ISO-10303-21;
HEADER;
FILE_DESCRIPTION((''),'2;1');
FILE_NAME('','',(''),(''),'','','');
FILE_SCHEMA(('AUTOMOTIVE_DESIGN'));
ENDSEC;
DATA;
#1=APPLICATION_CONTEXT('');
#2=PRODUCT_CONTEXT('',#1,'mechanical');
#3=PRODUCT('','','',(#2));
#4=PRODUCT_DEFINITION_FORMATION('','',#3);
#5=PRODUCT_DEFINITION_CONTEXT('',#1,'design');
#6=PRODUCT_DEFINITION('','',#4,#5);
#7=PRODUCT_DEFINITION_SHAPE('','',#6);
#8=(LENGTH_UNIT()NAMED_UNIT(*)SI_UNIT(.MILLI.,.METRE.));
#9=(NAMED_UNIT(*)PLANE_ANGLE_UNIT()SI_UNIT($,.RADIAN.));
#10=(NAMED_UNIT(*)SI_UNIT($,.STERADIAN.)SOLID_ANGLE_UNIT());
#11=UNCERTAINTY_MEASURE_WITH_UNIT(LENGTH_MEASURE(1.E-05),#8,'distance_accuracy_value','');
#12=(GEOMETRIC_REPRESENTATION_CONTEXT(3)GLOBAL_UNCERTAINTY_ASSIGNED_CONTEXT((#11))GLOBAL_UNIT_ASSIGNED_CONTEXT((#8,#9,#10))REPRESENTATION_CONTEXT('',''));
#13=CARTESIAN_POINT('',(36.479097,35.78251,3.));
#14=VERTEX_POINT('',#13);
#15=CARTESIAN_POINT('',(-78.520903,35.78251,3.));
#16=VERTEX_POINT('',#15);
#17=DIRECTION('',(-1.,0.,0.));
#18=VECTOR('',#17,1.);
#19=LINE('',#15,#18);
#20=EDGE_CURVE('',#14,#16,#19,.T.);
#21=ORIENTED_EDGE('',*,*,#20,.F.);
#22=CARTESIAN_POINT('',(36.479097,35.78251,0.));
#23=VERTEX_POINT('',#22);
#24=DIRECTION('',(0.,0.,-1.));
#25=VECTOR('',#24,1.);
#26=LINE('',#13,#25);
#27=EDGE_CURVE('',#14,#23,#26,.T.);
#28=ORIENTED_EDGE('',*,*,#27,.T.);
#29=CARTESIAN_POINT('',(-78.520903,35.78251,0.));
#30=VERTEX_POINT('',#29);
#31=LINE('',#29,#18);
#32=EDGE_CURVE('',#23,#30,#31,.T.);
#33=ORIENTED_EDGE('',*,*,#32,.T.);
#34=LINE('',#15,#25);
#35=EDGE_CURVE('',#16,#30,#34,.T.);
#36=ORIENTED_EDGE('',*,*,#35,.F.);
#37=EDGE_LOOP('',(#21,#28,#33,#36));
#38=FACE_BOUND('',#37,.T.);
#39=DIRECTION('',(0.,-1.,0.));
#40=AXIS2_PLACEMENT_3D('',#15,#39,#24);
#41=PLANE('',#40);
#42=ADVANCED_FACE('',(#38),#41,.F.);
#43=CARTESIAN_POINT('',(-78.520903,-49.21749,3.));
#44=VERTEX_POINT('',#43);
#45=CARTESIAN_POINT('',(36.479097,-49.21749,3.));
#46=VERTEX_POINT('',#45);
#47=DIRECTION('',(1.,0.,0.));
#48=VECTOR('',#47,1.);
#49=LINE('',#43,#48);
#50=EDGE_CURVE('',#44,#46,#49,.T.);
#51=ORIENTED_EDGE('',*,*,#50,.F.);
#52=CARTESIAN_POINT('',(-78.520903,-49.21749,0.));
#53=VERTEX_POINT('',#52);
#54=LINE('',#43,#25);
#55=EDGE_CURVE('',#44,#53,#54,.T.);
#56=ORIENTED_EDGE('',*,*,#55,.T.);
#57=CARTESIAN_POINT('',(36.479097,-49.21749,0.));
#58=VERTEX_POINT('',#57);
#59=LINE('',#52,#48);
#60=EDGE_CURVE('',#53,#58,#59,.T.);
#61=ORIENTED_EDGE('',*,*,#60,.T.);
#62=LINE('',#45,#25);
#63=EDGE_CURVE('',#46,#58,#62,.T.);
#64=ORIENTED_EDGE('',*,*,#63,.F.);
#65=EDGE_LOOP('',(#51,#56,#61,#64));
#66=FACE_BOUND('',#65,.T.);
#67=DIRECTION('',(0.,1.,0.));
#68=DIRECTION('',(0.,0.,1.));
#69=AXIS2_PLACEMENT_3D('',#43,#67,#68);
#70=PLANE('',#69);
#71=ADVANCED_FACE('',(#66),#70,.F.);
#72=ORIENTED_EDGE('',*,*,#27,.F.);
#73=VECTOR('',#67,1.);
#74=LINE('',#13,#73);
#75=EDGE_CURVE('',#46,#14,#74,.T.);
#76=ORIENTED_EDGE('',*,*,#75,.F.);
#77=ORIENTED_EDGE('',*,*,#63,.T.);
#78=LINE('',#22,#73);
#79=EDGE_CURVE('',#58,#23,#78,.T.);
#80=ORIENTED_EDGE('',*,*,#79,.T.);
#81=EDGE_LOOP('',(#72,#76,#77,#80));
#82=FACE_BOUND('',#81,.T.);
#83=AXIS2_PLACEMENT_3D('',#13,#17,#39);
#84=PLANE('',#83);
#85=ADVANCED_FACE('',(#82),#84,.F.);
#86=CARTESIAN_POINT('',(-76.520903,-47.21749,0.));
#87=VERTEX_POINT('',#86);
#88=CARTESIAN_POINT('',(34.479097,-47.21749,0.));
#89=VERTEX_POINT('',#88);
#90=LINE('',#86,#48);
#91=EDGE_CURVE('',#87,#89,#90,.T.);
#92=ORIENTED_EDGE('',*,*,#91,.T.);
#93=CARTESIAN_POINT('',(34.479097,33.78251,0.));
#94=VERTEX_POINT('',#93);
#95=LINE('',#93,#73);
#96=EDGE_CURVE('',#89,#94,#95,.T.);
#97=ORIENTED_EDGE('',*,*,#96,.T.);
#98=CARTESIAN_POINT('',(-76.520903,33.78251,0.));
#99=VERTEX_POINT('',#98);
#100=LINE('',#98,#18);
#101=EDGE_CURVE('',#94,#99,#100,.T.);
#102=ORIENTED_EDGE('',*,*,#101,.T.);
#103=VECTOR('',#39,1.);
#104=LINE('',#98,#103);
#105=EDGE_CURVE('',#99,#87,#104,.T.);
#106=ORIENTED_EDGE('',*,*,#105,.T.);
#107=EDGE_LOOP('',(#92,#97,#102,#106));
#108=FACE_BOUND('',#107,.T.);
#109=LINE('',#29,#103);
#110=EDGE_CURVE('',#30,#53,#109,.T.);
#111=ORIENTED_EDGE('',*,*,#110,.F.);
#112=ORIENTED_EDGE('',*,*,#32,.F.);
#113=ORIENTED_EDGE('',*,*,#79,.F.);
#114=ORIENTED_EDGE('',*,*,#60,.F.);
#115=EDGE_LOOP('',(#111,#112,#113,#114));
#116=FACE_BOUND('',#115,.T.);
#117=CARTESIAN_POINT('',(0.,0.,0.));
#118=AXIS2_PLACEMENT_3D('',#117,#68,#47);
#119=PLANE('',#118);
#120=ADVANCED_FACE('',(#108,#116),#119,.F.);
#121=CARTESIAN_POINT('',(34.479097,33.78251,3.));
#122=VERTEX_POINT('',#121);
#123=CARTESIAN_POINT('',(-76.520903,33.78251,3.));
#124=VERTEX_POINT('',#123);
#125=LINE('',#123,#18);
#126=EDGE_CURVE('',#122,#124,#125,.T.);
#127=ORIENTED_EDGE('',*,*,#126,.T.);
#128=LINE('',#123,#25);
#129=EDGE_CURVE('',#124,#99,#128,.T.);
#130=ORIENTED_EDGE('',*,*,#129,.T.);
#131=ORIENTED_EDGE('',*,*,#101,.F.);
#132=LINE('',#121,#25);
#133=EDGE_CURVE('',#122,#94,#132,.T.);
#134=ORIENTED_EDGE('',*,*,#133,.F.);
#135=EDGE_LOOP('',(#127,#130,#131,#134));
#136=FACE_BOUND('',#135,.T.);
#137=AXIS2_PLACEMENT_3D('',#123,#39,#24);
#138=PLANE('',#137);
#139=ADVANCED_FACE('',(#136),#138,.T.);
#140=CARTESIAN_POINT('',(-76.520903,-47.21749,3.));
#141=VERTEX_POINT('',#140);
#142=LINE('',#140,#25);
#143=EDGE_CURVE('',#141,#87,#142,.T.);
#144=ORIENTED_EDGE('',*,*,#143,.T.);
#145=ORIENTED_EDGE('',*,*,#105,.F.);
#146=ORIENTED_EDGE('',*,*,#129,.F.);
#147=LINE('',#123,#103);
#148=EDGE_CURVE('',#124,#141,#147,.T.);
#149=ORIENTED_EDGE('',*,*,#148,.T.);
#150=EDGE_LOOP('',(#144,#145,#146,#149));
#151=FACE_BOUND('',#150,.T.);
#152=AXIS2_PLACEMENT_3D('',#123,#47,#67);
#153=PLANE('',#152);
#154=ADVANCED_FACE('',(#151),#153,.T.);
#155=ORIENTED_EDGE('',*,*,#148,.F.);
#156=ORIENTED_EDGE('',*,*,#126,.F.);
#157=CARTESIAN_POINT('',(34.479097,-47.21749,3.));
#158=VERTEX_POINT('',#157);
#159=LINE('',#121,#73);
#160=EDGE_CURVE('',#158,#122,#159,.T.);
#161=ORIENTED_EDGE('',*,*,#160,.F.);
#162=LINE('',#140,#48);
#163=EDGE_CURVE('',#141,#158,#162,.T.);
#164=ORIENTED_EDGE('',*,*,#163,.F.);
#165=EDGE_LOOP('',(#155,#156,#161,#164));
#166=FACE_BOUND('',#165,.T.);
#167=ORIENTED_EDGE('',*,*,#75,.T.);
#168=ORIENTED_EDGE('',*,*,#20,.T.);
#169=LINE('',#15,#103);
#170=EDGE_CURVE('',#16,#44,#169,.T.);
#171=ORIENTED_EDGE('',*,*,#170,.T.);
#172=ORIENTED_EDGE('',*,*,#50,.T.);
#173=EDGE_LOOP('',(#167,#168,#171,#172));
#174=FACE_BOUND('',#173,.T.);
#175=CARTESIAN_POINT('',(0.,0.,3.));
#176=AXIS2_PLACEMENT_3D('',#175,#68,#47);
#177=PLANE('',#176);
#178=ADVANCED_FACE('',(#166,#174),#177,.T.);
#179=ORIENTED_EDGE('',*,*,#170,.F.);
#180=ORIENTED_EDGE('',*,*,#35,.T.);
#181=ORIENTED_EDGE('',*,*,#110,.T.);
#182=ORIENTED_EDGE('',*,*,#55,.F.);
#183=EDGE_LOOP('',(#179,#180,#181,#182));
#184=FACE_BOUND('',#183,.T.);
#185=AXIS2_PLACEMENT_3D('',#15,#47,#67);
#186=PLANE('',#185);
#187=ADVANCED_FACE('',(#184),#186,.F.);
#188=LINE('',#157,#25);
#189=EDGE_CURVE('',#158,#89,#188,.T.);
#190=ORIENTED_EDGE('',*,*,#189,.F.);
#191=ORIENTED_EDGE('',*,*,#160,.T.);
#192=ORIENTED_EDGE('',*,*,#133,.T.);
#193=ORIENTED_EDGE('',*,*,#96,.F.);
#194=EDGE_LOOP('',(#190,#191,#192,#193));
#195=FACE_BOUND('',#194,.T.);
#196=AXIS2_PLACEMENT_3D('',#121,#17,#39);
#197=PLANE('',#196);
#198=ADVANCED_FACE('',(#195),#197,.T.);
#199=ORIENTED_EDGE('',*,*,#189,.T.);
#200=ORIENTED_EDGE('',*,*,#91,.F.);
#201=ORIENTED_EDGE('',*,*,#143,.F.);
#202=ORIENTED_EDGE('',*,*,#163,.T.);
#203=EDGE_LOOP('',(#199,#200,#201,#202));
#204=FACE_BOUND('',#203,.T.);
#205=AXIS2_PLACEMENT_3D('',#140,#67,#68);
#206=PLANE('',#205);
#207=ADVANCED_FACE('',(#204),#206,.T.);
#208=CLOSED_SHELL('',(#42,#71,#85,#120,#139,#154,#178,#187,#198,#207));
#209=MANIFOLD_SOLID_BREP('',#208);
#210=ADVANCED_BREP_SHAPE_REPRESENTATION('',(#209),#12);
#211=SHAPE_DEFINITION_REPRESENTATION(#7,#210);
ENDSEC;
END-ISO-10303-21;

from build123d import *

# Parameters (mm, degrees)
ESBO_O1_W                = 115
ESBO_O1_H                = 85
ESBO_O1_W_2              = 111
ESBO_O1_H_2              = 81
RESSALTO_EXTRUS_O1_DEPTH = 3


with BuildPart() as part:
    # Esboço1 → Ressalto-extrusão1 (new body)
    with BuildSketch(Plane.XY):
        with Locations((-21.020902833, -6.717490466)):
            Rectangle(ESBO_O1_W, ESBO_O1_H)
        with Locations((-21.020902833, -6.717490466)):
            Rectangle(ESBO_O1_W_2, ESBO_O1_H_2, mode=Mode.SUBTRACT)
    extrude(amount=RESSALTO_EXTRUS_O1_DEPTH)


solid = part.part
